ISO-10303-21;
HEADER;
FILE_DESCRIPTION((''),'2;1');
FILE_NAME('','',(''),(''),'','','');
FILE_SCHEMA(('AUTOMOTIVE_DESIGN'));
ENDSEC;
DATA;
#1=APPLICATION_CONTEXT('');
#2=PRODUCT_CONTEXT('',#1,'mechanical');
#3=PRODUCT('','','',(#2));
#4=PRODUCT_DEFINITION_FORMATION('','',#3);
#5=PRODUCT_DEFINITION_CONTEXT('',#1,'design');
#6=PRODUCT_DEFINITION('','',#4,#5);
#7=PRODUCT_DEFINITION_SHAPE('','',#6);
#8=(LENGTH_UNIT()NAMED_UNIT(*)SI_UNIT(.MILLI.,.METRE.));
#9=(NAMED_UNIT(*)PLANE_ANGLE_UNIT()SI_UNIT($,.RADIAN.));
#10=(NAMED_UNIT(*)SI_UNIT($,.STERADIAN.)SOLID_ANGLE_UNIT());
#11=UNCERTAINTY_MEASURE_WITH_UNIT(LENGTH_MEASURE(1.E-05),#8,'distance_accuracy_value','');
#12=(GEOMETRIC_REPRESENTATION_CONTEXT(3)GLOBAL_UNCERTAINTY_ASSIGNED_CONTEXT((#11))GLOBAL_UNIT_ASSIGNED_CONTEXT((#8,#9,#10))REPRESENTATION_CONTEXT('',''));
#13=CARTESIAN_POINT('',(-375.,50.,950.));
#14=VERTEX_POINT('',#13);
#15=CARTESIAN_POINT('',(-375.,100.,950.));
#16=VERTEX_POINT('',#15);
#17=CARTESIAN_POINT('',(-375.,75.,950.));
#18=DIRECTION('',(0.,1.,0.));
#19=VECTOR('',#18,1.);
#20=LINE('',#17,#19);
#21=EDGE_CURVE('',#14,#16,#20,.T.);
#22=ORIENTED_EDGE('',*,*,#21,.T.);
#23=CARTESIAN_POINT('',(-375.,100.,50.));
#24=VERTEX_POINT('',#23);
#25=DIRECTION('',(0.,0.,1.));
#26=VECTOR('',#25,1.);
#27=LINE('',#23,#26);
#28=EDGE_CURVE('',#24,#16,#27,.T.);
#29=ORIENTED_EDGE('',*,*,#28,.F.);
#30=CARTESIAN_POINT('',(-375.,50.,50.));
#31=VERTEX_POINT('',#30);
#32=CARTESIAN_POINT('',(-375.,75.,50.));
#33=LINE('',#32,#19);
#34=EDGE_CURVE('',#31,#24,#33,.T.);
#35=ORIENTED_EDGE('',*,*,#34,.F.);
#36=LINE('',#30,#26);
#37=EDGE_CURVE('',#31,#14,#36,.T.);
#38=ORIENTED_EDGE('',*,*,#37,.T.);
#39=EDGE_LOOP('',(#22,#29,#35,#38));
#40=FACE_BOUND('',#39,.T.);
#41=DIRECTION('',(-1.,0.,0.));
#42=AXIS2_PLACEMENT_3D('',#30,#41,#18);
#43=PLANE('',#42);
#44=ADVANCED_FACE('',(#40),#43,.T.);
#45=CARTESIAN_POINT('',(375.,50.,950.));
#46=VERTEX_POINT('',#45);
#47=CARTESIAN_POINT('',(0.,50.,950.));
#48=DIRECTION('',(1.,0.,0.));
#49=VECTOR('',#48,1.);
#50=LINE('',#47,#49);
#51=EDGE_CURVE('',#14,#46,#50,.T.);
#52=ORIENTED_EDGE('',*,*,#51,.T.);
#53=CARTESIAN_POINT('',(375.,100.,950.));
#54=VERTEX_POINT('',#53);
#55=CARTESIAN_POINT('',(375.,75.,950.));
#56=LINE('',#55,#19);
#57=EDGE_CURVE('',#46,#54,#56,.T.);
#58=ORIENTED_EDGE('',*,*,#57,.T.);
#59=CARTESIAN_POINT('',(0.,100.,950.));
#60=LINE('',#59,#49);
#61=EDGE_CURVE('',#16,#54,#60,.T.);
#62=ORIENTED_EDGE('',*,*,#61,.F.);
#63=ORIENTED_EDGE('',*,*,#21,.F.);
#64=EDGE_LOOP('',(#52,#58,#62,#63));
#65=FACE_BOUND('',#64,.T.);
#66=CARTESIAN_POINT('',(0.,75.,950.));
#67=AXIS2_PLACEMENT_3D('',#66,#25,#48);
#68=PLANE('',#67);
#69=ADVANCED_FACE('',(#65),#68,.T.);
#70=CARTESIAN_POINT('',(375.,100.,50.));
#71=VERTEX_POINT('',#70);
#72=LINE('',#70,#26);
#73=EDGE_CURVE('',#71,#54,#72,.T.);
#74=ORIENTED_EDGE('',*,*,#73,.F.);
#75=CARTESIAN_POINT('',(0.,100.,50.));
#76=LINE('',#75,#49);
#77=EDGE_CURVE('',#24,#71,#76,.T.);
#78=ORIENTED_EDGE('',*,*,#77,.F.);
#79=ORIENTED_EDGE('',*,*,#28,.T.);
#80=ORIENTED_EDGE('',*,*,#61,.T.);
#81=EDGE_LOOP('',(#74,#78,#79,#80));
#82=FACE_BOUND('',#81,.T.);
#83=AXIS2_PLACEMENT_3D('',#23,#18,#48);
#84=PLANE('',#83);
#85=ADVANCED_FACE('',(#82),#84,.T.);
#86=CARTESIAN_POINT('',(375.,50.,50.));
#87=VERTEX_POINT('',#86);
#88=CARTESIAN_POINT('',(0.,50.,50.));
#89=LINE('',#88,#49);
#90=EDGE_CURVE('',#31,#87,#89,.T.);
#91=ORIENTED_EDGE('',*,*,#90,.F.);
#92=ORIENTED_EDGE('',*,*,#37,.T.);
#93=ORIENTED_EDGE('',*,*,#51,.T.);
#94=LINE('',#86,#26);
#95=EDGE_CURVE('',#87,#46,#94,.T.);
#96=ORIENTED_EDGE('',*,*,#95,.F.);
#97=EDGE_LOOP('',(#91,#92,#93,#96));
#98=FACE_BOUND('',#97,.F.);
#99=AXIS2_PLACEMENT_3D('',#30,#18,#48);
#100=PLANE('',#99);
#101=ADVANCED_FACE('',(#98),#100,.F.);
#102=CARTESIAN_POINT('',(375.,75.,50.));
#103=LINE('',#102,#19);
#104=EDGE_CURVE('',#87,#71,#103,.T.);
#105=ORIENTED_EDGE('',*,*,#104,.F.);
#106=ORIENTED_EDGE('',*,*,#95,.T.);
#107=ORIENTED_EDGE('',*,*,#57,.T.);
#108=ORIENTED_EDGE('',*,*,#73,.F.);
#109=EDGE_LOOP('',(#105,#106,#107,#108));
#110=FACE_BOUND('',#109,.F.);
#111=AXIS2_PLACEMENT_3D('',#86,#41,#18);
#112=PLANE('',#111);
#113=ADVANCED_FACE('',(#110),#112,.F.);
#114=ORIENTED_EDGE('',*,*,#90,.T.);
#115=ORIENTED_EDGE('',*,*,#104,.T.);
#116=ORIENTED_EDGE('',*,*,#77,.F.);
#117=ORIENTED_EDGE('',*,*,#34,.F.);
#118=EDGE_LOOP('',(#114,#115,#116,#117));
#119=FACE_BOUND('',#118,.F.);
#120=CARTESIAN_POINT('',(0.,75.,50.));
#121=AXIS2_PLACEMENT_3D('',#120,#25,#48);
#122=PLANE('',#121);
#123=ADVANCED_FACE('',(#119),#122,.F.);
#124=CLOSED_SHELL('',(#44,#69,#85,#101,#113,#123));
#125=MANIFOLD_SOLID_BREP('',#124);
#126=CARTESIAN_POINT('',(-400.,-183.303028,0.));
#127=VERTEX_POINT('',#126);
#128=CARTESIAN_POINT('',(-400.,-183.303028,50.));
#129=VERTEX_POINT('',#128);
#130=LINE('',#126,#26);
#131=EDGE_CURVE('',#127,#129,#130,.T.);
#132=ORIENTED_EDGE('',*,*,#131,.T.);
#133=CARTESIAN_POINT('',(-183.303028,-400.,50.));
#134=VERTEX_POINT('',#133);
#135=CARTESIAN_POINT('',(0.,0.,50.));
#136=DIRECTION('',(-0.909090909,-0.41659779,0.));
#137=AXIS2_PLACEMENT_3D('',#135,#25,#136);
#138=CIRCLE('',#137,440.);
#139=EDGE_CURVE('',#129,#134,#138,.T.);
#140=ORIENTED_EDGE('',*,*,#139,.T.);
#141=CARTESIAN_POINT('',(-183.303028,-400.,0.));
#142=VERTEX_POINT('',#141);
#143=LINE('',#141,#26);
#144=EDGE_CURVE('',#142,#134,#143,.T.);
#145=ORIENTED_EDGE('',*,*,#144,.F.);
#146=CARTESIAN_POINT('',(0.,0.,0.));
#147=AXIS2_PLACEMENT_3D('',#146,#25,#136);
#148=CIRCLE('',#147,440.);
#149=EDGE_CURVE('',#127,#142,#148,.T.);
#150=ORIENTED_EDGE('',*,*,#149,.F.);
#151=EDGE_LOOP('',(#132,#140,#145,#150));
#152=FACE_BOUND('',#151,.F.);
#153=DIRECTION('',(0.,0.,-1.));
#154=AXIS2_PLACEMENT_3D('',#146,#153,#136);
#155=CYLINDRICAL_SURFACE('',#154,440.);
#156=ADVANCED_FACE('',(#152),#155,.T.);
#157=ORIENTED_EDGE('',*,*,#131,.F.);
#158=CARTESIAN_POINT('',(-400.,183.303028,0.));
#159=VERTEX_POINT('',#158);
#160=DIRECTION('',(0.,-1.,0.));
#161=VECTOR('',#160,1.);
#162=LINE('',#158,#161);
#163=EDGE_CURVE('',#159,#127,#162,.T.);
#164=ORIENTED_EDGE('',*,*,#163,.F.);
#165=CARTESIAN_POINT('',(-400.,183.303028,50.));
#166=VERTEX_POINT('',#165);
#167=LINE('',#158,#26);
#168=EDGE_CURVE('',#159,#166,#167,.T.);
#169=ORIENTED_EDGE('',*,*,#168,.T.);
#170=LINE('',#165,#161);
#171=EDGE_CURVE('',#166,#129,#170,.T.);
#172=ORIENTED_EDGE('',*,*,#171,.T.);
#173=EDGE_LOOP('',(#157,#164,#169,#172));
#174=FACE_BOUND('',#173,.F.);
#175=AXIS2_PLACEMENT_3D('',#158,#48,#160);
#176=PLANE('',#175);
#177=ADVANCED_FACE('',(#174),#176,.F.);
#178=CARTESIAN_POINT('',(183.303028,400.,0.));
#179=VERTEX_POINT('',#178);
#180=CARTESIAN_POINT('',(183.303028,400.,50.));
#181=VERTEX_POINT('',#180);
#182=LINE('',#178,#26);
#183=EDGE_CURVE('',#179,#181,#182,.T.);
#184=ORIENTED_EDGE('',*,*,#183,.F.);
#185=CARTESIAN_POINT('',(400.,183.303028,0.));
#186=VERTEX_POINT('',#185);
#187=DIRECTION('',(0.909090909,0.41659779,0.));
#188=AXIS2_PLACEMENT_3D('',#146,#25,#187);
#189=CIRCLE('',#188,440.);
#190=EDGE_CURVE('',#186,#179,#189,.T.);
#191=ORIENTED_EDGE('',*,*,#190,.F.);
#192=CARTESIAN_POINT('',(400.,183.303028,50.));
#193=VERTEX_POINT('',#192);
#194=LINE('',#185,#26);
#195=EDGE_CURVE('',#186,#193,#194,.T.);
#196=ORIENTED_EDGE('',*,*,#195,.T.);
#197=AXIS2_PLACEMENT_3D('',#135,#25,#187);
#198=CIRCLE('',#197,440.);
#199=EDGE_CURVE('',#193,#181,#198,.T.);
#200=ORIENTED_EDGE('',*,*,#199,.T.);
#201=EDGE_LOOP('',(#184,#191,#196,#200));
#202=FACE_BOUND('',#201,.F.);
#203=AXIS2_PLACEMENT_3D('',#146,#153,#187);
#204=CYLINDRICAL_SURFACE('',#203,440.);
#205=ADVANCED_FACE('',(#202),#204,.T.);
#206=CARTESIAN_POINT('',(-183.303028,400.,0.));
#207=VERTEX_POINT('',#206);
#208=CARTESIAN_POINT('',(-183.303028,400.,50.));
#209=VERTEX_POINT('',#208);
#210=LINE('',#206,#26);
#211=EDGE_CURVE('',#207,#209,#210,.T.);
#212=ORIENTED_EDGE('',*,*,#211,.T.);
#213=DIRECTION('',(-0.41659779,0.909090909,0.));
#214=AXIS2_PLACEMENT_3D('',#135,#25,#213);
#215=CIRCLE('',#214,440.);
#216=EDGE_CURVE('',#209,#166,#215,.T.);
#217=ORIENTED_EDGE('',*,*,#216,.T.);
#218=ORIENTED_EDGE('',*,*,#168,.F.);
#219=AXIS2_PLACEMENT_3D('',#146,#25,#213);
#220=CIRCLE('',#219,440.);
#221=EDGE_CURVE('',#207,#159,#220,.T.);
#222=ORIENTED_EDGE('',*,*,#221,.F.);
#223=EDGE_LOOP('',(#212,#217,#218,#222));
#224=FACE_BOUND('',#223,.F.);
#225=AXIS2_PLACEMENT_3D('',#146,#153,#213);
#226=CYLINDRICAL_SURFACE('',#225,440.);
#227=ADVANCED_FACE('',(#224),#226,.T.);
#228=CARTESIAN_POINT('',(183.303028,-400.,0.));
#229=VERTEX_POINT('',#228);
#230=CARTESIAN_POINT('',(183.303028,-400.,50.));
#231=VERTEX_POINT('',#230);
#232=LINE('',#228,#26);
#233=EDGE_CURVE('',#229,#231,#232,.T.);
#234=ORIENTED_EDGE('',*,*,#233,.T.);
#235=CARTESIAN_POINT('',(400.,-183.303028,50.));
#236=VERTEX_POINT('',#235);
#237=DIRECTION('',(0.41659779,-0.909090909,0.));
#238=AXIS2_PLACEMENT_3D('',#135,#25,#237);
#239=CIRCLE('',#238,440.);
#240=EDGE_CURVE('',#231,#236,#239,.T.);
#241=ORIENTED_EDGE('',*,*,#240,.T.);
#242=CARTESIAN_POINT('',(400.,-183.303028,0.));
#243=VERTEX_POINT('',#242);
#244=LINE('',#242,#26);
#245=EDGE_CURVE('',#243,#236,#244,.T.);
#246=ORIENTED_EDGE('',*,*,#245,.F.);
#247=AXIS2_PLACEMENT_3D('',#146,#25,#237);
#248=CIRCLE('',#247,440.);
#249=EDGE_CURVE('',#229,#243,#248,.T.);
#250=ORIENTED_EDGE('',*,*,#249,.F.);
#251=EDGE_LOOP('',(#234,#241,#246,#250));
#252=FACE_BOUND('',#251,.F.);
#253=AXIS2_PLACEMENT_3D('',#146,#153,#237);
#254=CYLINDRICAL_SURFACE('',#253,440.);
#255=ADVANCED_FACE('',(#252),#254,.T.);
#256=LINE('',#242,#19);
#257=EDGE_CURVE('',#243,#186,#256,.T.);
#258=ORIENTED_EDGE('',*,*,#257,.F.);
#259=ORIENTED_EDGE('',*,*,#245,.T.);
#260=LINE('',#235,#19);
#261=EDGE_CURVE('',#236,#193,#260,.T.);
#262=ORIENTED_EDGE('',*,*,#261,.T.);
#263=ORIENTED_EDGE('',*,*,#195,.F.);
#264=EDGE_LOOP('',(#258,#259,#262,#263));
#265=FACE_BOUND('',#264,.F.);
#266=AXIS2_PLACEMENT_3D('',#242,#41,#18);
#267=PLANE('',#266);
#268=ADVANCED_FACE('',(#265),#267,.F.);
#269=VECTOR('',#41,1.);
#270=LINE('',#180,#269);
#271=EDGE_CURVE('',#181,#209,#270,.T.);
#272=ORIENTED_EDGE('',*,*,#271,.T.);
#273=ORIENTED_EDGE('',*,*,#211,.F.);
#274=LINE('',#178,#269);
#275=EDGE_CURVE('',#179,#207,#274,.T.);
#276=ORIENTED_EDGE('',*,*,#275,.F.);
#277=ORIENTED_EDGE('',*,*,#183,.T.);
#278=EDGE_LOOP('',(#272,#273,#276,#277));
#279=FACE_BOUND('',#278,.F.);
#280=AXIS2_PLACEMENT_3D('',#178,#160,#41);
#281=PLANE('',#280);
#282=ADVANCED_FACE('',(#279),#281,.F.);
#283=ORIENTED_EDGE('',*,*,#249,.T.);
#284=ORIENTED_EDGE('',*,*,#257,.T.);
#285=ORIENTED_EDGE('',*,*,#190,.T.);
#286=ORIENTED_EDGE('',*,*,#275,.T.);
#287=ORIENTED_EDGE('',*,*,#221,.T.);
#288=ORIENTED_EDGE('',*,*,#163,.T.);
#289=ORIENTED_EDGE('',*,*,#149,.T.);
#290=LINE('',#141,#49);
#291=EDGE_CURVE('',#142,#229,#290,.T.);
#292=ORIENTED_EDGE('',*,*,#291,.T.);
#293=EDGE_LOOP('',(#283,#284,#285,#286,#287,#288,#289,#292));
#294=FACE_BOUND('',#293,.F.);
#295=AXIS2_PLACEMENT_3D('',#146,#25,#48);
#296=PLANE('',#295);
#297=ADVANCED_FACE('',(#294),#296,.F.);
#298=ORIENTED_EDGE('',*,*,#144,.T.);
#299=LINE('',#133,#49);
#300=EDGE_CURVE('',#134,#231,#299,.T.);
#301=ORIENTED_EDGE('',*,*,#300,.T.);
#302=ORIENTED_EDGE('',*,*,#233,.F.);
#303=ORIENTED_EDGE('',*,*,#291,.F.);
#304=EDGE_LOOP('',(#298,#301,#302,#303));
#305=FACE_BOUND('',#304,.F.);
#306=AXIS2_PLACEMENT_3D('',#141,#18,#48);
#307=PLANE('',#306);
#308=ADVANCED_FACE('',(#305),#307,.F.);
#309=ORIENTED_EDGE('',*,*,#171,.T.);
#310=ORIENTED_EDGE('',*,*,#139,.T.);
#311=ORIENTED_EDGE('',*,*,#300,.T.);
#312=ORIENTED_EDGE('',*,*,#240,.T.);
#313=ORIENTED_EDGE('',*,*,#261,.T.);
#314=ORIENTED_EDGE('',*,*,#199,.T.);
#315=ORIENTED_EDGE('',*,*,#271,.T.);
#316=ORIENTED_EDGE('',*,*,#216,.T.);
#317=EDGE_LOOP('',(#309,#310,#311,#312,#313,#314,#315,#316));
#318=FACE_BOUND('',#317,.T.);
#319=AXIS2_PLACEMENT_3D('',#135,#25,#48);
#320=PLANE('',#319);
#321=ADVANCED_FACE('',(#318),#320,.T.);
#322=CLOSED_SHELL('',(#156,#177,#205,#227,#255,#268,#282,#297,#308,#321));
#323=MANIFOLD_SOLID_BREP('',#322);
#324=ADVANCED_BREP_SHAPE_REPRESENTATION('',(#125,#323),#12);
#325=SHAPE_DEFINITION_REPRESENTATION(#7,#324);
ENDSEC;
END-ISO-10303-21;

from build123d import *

# Parameters (mm, degrees)
F1_DEPTH = 50
F2_W     = 750
F2_H     = 50
F3_DEPTH = 900


with BuildPart() as f1:
    # F0 (on Top) → F1 (new body)
    with BuildSketch(Plane.XY):
        with BuildLine():
            ThreePointArc((400, 183.3030277982), (311.1269837221, 311.1269837221), (183.3030277982, 400))
            Line((183.3030277982, 400), (-183.3030277982, 400))
            ThreePointArc((-183.3030277982, 400), (-311.1269837221, 311.1269837221), (-400, 183.3030277982))
            Line((-400, 183.3030277982), (-400, -183.3030277982))
            ThreePointArc((-400, -183.3030277982), (-311.1269837221, -311.1269837221), (-183.3030277982, -400))
            Line((-183.3030277982, -400), (183.3030277982, -400))
            ThreePointArc((183.3030277982, -400), (311.1269837221, -311.1269837221), (400, -183.3030277982))
            Line((400, -183.3030277982), (400, 183.3030277982))
        make_face()
    extrude(amount=F1_DEPTH)


with BuildPart() as f3:
    # F2 (on face) → F3 (new body)
    with BuildSketch(Plane.XY.offset(50)):
        with Locations((0, 75)):
            Rectangle(F2_W, F2_H)
    extrude(amount=F3_DEPTH)


solid = Compound([f1.part, f3.part])
